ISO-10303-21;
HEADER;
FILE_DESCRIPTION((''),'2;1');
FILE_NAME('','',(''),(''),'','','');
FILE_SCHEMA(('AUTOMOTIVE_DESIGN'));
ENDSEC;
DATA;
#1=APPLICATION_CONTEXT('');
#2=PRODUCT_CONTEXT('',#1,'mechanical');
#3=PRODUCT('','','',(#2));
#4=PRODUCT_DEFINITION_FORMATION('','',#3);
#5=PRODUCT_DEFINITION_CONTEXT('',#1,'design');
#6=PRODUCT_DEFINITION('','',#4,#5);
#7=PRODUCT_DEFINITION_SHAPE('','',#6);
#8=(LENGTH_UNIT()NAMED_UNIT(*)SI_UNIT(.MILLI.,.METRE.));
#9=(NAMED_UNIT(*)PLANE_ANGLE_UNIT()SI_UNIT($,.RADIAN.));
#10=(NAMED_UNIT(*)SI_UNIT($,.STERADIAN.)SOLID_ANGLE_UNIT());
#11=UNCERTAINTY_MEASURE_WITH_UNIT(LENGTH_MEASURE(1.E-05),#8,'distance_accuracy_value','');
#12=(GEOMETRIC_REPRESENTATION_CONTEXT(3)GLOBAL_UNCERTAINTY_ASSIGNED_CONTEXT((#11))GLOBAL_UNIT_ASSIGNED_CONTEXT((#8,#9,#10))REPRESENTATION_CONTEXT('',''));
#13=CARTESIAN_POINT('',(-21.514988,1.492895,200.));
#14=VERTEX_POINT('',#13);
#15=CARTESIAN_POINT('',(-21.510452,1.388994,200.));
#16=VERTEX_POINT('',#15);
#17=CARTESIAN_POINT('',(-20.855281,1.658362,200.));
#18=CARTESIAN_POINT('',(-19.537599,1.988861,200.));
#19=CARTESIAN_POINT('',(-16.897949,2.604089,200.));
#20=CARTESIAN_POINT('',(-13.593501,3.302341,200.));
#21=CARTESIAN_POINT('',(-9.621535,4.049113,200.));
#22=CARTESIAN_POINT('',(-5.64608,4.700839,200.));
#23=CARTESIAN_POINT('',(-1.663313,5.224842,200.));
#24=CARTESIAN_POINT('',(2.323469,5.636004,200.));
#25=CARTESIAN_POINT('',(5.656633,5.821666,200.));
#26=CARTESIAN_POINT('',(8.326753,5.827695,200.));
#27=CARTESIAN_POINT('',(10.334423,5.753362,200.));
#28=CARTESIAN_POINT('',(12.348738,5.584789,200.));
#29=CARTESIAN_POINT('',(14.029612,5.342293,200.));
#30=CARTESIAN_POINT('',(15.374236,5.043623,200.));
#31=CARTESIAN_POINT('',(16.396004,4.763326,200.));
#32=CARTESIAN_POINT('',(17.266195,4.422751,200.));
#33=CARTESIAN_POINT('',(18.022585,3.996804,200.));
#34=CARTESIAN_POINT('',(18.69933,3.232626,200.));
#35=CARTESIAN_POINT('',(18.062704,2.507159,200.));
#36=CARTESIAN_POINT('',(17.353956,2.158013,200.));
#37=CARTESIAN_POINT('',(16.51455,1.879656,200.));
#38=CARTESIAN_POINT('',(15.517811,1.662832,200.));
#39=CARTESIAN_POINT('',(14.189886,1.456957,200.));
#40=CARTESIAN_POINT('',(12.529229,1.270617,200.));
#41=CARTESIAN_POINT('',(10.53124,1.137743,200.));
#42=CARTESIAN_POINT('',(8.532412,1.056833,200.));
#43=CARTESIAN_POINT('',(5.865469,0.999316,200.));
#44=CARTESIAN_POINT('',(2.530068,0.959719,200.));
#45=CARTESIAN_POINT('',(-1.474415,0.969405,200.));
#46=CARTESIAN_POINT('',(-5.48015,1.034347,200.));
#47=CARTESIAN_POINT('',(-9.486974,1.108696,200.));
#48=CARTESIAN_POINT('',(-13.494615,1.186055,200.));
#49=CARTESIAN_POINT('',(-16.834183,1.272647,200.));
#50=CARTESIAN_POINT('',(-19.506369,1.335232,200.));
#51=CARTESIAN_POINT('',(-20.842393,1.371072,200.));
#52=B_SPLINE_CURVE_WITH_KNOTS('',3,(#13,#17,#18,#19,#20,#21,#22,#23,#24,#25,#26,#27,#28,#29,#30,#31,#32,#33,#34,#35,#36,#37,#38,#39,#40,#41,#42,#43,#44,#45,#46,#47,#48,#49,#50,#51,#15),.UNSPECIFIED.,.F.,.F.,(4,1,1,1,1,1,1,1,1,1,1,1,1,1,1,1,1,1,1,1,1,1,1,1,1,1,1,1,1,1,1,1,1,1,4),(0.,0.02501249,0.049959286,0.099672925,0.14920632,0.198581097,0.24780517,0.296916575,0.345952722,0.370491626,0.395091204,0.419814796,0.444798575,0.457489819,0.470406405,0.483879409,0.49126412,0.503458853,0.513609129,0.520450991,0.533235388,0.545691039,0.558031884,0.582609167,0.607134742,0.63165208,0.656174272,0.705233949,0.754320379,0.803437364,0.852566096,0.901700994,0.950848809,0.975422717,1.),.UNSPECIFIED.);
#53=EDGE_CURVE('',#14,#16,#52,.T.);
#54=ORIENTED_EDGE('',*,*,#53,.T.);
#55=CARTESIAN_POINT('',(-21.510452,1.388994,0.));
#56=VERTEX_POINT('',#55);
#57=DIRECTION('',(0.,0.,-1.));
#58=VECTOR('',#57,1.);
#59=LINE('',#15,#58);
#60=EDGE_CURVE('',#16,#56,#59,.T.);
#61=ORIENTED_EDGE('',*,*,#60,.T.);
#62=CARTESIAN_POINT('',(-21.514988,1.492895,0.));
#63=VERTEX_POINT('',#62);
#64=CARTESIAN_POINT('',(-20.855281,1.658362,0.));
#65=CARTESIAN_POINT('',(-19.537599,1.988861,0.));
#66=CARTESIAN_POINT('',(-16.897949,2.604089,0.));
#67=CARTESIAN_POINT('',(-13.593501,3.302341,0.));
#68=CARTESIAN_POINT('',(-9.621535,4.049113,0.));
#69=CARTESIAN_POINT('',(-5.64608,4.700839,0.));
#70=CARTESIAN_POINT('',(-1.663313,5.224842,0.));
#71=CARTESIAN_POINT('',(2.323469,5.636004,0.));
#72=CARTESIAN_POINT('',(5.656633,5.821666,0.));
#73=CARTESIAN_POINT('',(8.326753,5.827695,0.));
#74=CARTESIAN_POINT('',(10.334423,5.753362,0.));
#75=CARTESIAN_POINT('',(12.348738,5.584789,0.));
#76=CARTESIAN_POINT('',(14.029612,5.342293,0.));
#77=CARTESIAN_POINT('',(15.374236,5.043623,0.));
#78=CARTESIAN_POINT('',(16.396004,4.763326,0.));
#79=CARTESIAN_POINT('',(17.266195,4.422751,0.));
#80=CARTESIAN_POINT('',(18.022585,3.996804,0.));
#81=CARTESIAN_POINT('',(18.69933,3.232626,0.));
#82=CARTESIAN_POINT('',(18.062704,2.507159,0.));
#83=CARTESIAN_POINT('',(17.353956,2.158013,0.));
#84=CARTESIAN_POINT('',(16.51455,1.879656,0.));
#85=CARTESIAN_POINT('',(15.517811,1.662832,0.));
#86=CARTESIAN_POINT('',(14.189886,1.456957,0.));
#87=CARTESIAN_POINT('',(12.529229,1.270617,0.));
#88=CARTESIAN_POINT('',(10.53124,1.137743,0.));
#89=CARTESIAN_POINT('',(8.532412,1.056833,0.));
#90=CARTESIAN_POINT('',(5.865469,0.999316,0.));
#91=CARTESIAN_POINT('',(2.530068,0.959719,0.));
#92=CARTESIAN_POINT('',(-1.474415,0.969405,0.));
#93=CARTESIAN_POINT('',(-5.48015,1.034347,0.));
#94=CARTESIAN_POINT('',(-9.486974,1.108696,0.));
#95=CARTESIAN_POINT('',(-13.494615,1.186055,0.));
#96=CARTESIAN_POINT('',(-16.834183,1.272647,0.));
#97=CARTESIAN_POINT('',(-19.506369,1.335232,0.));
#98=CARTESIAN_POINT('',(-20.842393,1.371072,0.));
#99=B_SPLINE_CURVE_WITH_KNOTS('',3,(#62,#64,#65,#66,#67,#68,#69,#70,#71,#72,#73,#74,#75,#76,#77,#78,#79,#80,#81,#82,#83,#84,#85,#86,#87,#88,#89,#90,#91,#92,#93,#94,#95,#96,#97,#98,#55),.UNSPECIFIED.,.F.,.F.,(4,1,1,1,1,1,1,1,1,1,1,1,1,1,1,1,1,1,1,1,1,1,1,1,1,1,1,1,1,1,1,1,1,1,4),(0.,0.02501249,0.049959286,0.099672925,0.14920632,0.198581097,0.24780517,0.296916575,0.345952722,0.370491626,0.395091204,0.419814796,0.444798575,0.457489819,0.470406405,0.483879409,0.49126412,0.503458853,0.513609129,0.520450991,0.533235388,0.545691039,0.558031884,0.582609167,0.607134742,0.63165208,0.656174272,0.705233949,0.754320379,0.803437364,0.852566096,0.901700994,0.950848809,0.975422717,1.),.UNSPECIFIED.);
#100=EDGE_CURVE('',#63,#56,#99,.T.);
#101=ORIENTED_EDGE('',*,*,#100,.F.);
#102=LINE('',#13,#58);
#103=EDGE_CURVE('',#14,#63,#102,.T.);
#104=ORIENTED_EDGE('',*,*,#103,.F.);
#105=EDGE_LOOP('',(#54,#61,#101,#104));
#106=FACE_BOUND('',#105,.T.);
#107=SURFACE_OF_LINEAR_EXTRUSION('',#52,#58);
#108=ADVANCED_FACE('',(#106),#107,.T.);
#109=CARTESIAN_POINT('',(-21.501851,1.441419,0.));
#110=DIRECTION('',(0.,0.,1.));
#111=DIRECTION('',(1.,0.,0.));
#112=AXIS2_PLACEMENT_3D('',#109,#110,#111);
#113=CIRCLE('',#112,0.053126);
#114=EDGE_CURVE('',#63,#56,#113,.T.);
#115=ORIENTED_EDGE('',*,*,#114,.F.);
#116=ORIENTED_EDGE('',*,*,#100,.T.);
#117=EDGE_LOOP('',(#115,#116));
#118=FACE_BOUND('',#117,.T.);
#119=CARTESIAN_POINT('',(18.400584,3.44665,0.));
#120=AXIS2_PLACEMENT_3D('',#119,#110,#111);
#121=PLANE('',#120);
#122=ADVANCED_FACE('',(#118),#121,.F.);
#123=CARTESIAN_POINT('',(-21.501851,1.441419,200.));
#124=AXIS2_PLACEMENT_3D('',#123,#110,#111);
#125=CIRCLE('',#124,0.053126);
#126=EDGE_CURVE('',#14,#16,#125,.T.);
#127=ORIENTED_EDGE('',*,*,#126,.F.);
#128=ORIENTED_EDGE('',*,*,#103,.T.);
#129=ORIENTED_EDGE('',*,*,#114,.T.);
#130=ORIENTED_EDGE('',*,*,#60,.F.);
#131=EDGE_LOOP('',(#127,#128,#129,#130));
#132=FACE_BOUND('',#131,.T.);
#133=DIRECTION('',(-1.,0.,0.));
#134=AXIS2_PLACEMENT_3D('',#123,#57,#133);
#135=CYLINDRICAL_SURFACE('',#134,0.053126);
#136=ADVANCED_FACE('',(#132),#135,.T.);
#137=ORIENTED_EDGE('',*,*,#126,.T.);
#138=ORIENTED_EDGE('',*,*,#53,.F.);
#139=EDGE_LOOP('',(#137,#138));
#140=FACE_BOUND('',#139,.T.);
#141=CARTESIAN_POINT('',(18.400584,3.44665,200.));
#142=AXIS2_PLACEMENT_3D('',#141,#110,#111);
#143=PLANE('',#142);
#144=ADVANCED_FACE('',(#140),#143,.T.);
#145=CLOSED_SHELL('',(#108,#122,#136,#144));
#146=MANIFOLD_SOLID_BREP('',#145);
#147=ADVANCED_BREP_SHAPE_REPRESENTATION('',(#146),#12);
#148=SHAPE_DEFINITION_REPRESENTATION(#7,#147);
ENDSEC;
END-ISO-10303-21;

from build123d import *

# Parameters (mm, degrees)
BOSS_EXTRUDE1_DEPTH = 200


with BuildPart() as part:
    # Sketch2 → Boss-Extrude1 (new body)
    with BuildSketch(Plane(origin=(17.440169359, 0, 0), x_dir=(1, 0, 0), z_dir=(0, 0, 1))):
        with BuildLine():
            ThreePointArc((-38.955157451, 1.492895053), (-38.995095838, 1.439101765), (-38.950621034, 1.388994037))
            add(Edge.make_bspline(
                [(-38.955157451, 1.492895053), (-38.295450211, 1.65836191), (-36.977768402, 1.98886104), (-34.338118745, 2.604088974), (-31.033670068, 3.302340733), (-27.061704407, 4.049112578), (-23.086249568, 4.700839132), (-19.103482356, 5.224842347), (-15.116700579, 5.636003553), (-11.783536351, 5.82166567), (-9.11341676, 5.827694698), (-7.105746611, 5.753362438), (-5.091431246, 5.584789176), (-3.410557806, 5.342292948), (-2.065932961, 5.043623126), (-1.04416569, 4.763325516), (-0.173974216, 4.42275119), (0.582415767, 3.996804422), (1.259160845, 3.232625665), (0.622534677, 2.507159065), (-0.086213765, 2.158012906), (-0.925619145, 1.879655861), (-1.92235798, 1.662832147), (-3.25028318, 1.456957035), (-4.910940517, 1.270617036), (-6.908929532, 1.137743494), (-8.907757188, 1.056832806), (-11.574700422, 0.999315552), (-14.910101217, 0.959719147), (-18.914584497, 0.969404554), (-22.920319295, 1.034346952), (-26.92714373, 1.108696118), (-30.934784114, 1.186054986), (-34.274352572, 1.272646837), (-36.946538119, 1.3352315), (-38.282562813, 1.371072371), (-38.950621034, 1.388994037)],
                knots=[0, 0, 0, 0, 0.02501249, 0.049959286, 0.099672925, 0.14920632, 0.198581097, 0.24780517, 0.296916575, 0.345952722, 0.370491626, 0.395091204, 0.419814796, 0.444798575, 0.457489819, 0.470406405, 0.483879409, 0.49126412, 0.503458853, 0.513609129, 0.520450991, 0.533235388, 0.545691039, 0.558031884, 0.582609167, 0.607134742, 0.63165208, 0.656174272, 0.705233949, 0.754320379, 0.803437364, 0.852566096, 0.901700994, 0.950848809, 0.975422717, 1, 1, 1, 1], degree=3))
        make_face()
    extrude(amount=BOSS_EXTRUDE1_DEPTH)


solid = part.part
